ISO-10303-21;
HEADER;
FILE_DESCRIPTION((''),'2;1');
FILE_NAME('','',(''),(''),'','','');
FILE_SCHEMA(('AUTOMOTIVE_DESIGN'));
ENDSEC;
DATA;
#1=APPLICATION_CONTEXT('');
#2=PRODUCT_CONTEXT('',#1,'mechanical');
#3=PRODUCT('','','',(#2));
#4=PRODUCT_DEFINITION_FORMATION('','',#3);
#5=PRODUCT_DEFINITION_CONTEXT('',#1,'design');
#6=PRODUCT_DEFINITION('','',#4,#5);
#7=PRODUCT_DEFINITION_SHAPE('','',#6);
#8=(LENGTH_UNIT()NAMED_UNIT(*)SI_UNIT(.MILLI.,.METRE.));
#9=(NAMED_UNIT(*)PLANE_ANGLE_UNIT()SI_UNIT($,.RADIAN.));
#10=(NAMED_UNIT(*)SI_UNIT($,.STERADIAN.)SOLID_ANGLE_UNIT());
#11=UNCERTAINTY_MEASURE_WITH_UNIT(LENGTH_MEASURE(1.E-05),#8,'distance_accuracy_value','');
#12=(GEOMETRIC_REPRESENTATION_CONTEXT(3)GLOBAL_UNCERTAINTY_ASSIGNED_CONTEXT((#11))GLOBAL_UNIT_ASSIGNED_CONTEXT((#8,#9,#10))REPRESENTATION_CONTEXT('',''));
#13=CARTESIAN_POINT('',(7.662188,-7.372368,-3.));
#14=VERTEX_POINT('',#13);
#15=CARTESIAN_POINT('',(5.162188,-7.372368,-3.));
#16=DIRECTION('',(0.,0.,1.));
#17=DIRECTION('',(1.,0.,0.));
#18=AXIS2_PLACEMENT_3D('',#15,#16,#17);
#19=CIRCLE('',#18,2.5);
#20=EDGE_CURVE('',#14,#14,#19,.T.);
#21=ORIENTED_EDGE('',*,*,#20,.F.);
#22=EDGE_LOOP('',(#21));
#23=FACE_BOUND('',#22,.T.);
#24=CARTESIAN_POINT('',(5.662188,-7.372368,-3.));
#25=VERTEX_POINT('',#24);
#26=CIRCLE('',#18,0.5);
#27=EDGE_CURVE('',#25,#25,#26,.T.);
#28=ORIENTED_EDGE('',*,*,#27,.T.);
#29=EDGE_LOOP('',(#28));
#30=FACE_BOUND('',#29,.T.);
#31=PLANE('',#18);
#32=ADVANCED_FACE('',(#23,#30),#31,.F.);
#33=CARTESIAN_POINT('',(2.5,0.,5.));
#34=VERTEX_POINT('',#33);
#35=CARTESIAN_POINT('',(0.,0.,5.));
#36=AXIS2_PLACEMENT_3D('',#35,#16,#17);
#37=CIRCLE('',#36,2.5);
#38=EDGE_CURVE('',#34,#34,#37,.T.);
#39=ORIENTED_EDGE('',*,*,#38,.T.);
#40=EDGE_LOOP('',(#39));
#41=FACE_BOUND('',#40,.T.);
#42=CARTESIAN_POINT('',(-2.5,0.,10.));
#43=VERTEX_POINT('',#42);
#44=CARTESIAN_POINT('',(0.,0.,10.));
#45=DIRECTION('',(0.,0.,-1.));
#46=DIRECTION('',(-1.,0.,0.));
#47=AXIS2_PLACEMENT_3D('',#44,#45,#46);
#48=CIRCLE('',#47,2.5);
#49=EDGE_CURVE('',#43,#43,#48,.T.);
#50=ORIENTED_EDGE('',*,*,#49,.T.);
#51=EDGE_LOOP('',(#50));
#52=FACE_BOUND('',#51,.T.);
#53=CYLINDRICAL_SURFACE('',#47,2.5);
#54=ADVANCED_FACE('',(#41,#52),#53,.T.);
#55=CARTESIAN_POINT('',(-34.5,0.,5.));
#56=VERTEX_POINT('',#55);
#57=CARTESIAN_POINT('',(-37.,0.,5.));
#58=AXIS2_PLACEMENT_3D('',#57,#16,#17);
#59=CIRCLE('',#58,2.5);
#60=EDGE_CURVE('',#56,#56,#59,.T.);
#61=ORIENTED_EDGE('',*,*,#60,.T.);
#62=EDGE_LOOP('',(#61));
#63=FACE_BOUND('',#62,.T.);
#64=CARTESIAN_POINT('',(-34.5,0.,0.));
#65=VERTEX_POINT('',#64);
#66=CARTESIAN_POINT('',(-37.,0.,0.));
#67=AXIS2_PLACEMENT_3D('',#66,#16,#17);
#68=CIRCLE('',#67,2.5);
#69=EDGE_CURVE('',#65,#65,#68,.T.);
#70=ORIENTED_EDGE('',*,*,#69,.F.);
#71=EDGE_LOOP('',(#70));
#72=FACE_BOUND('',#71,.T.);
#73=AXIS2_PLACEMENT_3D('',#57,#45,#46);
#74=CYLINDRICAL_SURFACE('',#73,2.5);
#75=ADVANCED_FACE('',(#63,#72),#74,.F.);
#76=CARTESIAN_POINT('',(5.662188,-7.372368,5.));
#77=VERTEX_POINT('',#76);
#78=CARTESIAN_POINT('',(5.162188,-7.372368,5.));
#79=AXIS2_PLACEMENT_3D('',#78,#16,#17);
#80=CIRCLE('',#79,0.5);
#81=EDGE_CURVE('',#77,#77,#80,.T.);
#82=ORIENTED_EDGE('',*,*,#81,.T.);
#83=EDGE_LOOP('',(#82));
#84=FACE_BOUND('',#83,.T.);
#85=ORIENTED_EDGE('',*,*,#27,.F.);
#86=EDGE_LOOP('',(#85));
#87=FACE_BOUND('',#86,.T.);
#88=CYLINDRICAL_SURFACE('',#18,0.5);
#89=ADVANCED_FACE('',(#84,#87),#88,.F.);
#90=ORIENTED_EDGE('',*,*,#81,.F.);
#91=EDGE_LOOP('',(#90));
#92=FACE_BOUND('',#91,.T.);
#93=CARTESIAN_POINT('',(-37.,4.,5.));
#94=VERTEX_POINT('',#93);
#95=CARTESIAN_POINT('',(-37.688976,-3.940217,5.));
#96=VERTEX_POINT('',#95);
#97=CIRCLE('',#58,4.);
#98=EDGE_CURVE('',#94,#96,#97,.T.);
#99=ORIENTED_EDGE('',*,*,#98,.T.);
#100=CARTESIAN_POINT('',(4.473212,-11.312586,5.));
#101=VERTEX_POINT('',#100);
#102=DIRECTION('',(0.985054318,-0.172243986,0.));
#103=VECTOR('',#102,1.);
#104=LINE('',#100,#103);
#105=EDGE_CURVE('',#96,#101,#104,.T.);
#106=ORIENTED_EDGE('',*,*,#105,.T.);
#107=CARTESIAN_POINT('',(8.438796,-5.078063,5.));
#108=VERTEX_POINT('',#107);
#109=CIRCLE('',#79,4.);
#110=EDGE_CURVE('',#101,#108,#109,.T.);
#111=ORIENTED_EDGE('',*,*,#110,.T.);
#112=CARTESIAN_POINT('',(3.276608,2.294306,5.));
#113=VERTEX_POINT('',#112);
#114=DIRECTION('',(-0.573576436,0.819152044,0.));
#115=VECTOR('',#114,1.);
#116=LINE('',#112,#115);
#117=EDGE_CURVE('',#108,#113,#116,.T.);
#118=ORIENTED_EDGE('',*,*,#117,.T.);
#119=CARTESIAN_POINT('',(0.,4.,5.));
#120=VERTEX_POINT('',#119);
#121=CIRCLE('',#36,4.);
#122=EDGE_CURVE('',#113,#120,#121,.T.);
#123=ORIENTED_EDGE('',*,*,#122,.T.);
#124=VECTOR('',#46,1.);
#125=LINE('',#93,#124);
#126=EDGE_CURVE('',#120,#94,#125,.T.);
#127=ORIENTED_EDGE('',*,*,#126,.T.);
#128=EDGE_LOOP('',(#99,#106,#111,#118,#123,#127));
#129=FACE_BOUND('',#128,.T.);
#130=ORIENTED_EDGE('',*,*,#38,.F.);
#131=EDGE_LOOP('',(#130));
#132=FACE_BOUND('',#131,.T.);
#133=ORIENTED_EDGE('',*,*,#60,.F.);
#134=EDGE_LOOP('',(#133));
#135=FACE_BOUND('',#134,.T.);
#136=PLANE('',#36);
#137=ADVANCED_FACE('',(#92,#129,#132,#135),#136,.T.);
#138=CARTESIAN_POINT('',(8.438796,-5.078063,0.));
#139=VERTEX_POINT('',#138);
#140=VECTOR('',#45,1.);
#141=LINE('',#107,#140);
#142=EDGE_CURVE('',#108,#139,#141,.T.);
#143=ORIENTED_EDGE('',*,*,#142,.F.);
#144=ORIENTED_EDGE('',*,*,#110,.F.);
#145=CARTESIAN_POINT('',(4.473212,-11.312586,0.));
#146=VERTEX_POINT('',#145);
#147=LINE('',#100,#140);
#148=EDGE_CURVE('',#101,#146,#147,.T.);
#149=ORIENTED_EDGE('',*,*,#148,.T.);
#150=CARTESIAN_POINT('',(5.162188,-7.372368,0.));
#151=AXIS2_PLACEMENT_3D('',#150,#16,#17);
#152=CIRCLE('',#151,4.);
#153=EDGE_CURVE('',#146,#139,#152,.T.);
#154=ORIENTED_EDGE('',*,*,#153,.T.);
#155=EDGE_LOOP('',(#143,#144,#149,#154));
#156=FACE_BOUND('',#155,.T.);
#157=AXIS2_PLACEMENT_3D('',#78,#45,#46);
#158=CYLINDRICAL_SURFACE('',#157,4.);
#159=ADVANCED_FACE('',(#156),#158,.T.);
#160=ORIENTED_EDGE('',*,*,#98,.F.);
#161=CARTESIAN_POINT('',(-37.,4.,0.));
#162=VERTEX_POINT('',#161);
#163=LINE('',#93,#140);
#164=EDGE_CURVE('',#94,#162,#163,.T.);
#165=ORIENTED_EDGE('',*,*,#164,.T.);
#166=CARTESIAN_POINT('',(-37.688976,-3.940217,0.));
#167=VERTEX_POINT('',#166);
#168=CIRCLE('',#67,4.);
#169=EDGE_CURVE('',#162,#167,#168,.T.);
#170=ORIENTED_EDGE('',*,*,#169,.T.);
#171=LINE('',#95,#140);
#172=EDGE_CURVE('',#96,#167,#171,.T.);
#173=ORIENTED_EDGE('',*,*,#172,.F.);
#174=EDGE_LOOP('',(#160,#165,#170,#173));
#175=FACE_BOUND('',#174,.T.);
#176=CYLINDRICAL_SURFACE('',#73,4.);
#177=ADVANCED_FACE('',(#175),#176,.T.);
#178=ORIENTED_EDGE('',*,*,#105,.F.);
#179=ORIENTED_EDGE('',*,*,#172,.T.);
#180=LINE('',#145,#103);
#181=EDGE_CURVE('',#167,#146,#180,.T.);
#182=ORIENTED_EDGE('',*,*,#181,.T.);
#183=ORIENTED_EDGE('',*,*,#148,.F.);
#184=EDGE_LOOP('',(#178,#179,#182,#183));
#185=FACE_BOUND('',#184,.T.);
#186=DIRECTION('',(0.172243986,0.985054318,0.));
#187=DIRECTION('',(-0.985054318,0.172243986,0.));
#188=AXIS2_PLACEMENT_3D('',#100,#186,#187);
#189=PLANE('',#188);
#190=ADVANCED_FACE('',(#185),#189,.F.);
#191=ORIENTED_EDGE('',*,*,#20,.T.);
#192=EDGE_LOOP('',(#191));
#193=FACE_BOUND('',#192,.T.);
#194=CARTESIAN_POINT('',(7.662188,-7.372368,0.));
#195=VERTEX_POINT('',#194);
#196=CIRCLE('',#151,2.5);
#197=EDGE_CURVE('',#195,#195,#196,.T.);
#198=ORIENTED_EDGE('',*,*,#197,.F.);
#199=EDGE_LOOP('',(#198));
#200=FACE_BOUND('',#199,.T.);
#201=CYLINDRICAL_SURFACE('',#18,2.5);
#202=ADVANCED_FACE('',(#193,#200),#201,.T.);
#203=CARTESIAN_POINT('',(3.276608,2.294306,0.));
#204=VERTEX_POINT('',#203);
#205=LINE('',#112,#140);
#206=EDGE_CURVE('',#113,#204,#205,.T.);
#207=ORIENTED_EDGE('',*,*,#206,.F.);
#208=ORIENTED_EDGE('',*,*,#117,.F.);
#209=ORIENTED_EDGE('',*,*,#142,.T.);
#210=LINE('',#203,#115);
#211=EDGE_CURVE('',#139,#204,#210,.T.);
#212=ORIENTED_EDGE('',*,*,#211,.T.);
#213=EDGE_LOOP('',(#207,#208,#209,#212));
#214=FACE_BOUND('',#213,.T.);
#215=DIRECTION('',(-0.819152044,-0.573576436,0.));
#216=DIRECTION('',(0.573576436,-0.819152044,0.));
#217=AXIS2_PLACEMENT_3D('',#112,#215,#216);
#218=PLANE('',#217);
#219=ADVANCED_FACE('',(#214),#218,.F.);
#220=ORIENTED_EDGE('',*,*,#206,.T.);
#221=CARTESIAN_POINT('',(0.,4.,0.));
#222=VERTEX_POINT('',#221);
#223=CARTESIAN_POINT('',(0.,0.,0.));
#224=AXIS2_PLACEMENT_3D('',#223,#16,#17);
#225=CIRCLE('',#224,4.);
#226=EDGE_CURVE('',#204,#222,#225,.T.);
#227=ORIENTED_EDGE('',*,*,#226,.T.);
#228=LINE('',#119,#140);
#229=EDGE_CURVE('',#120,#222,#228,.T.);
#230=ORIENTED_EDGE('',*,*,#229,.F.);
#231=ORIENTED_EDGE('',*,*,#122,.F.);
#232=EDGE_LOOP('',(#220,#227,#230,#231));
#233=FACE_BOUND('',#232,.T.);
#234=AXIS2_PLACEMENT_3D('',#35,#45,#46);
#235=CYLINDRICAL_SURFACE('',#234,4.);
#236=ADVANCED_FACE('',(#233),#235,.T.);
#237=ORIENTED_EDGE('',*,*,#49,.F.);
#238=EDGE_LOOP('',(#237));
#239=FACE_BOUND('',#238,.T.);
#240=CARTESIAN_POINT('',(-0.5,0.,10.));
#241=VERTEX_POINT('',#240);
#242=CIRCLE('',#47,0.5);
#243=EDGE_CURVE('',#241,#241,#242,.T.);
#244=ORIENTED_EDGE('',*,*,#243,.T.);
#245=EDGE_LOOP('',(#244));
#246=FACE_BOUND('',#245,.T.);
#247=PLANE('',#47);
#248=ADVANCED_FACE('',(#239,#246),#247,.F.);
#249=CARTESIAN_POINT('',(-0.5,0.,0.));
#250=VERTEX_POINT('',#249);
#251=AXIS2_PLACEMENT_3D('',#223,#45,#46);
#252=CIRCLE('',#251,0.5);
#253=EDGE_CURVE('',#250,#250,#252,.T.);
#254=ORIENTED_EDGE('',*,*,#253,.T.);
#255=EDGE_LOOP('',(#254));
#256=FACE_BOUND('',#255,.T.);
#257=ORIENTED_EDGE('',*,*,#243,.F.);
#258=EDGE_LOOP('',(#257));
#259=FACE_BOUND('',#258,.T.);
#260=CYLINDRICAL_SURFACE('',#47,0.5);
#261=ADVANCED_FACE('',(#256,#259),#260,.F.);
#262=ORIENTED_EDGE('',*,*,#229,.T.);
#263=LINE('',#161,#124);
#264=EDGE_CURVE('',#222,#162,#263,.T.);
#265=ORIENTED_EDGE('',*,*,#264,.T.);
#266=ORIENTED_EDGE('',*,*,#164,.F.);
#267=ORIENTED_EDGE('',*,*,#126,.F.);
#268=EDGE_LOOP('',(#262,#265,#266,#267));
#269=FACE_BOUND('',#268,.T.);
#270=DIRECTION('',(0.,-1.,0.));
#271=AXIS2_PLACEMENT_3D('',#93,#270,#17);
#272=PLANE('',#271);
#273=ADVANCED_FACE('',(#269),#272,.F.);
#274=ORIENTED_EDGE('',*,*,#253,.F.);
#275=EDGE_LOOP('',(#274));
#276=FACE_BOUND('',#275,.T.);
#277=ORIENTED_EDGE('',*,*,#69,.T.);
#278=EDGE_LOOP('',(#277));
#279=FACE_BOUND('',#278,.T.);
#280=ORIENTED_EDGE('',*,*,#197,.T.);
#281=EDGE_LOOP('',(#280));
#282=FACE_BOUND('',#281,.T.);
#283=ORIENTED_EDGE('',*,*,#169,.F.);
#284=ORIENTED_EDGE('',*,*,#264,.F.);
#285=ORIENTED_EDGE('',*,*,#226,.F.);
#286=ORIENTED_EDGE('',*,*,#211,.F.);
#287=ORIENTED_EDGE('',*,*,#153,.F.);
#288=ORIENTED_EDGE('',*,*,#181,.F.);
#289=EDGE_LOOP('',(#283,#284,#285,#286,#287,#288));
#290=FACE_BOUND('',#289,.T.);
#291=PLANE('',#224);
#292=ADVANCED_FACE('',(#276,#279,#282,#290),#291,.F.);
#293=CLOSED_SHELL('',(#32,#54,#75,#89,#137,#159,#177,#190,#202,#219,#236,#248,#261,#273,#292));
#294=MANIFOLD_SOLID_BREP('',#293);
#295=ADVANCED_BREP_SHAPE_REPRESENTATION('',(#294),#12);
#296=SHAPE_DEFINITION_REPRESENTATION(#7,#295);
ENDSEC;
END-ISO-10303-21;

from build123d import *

# Parameters (mm, degrees)
SKETCH2_R           = 2.5
BOSS_EXTRUDE1_DEPTH = 5
BOSS_EXTRUDE2_START = -8
SKETCH3_R           = 2.5
SKETCH3_R_2         = 0.5
BOSS_EXTRUDE2_DEPTH = 8
SKETCH4_R           = 2.5
SKETCH4_R_2         = 0.5
BOSS_EXTRUDE3_DEPTH = 10


with BuildPart() as part:
    # Sketch2 → Boss-Extrude1 (new body)
    with BuildSketch(Plane.XY):
        with BuildLine():
            Line((-37, 4), (0, 4))
            ThreePointArc((0, 4), (1.846994453, 3.548043333), (3.276608177, 2.294305745))
            Line((3.276608177, 2.294305745), (8.438796104, -5.078062653))
            ThreePointArc((8.438796104, -5.078062653), (8.537284882, -9.519161483), (4.473211982, -11.31258567))
            Line((4.473211982, -11.31258567), (-37.688975946, -3.940217271))
            ThreePointArc((-37.688975946, -3.940217271), (-40.985026291, 0.345782384), (-37, 4))
        make_face()
        with Locations((-37, 0)):
            Circle(SKETCH2_R, mode=Mode.SUBTRACT)
        Circle(SKETCH2_R, mode=Mode.SUBTRACT)
        with Locations((5.162187927, -7.372368399)):
            Circle(SKETCH2_R, mode=Mode.SUBTRACT)
    extrude(amount=BOSS_EXTRUDE1_DEPTH)

    # Sketch3 → Boss-Extrude2 (add)
    with BuildSketch(Plane.XY.offset(5).offset(BOSS_EXTRUDE2_START)):
        with Locations((5.162187927, -7.372368399)):
            Circle(SKETCH3_R)
        with Locations((5.162187927, -7.372368399)):
            Circle(SKETCH3_R_2, mode=Mode.SUBTRACT)
    extrude(amount=BOSS_EXTRUDE2_DEPTH)

    # Sketch4 → Boss-Extrude3 (add)
    with BuildSketch(Plane(origin=(0, 0, 0), x_dir=(-1, 0, 0), z_dir=(0, 0, -1))):
        Circle(SKETCH4_R)
        Circle(SKETCH4_R_2, mode=Mode.SUBTRACT)
    extrude(amount=-BOSS_EXTRUDE3_DEPTH)


solid = part.part
